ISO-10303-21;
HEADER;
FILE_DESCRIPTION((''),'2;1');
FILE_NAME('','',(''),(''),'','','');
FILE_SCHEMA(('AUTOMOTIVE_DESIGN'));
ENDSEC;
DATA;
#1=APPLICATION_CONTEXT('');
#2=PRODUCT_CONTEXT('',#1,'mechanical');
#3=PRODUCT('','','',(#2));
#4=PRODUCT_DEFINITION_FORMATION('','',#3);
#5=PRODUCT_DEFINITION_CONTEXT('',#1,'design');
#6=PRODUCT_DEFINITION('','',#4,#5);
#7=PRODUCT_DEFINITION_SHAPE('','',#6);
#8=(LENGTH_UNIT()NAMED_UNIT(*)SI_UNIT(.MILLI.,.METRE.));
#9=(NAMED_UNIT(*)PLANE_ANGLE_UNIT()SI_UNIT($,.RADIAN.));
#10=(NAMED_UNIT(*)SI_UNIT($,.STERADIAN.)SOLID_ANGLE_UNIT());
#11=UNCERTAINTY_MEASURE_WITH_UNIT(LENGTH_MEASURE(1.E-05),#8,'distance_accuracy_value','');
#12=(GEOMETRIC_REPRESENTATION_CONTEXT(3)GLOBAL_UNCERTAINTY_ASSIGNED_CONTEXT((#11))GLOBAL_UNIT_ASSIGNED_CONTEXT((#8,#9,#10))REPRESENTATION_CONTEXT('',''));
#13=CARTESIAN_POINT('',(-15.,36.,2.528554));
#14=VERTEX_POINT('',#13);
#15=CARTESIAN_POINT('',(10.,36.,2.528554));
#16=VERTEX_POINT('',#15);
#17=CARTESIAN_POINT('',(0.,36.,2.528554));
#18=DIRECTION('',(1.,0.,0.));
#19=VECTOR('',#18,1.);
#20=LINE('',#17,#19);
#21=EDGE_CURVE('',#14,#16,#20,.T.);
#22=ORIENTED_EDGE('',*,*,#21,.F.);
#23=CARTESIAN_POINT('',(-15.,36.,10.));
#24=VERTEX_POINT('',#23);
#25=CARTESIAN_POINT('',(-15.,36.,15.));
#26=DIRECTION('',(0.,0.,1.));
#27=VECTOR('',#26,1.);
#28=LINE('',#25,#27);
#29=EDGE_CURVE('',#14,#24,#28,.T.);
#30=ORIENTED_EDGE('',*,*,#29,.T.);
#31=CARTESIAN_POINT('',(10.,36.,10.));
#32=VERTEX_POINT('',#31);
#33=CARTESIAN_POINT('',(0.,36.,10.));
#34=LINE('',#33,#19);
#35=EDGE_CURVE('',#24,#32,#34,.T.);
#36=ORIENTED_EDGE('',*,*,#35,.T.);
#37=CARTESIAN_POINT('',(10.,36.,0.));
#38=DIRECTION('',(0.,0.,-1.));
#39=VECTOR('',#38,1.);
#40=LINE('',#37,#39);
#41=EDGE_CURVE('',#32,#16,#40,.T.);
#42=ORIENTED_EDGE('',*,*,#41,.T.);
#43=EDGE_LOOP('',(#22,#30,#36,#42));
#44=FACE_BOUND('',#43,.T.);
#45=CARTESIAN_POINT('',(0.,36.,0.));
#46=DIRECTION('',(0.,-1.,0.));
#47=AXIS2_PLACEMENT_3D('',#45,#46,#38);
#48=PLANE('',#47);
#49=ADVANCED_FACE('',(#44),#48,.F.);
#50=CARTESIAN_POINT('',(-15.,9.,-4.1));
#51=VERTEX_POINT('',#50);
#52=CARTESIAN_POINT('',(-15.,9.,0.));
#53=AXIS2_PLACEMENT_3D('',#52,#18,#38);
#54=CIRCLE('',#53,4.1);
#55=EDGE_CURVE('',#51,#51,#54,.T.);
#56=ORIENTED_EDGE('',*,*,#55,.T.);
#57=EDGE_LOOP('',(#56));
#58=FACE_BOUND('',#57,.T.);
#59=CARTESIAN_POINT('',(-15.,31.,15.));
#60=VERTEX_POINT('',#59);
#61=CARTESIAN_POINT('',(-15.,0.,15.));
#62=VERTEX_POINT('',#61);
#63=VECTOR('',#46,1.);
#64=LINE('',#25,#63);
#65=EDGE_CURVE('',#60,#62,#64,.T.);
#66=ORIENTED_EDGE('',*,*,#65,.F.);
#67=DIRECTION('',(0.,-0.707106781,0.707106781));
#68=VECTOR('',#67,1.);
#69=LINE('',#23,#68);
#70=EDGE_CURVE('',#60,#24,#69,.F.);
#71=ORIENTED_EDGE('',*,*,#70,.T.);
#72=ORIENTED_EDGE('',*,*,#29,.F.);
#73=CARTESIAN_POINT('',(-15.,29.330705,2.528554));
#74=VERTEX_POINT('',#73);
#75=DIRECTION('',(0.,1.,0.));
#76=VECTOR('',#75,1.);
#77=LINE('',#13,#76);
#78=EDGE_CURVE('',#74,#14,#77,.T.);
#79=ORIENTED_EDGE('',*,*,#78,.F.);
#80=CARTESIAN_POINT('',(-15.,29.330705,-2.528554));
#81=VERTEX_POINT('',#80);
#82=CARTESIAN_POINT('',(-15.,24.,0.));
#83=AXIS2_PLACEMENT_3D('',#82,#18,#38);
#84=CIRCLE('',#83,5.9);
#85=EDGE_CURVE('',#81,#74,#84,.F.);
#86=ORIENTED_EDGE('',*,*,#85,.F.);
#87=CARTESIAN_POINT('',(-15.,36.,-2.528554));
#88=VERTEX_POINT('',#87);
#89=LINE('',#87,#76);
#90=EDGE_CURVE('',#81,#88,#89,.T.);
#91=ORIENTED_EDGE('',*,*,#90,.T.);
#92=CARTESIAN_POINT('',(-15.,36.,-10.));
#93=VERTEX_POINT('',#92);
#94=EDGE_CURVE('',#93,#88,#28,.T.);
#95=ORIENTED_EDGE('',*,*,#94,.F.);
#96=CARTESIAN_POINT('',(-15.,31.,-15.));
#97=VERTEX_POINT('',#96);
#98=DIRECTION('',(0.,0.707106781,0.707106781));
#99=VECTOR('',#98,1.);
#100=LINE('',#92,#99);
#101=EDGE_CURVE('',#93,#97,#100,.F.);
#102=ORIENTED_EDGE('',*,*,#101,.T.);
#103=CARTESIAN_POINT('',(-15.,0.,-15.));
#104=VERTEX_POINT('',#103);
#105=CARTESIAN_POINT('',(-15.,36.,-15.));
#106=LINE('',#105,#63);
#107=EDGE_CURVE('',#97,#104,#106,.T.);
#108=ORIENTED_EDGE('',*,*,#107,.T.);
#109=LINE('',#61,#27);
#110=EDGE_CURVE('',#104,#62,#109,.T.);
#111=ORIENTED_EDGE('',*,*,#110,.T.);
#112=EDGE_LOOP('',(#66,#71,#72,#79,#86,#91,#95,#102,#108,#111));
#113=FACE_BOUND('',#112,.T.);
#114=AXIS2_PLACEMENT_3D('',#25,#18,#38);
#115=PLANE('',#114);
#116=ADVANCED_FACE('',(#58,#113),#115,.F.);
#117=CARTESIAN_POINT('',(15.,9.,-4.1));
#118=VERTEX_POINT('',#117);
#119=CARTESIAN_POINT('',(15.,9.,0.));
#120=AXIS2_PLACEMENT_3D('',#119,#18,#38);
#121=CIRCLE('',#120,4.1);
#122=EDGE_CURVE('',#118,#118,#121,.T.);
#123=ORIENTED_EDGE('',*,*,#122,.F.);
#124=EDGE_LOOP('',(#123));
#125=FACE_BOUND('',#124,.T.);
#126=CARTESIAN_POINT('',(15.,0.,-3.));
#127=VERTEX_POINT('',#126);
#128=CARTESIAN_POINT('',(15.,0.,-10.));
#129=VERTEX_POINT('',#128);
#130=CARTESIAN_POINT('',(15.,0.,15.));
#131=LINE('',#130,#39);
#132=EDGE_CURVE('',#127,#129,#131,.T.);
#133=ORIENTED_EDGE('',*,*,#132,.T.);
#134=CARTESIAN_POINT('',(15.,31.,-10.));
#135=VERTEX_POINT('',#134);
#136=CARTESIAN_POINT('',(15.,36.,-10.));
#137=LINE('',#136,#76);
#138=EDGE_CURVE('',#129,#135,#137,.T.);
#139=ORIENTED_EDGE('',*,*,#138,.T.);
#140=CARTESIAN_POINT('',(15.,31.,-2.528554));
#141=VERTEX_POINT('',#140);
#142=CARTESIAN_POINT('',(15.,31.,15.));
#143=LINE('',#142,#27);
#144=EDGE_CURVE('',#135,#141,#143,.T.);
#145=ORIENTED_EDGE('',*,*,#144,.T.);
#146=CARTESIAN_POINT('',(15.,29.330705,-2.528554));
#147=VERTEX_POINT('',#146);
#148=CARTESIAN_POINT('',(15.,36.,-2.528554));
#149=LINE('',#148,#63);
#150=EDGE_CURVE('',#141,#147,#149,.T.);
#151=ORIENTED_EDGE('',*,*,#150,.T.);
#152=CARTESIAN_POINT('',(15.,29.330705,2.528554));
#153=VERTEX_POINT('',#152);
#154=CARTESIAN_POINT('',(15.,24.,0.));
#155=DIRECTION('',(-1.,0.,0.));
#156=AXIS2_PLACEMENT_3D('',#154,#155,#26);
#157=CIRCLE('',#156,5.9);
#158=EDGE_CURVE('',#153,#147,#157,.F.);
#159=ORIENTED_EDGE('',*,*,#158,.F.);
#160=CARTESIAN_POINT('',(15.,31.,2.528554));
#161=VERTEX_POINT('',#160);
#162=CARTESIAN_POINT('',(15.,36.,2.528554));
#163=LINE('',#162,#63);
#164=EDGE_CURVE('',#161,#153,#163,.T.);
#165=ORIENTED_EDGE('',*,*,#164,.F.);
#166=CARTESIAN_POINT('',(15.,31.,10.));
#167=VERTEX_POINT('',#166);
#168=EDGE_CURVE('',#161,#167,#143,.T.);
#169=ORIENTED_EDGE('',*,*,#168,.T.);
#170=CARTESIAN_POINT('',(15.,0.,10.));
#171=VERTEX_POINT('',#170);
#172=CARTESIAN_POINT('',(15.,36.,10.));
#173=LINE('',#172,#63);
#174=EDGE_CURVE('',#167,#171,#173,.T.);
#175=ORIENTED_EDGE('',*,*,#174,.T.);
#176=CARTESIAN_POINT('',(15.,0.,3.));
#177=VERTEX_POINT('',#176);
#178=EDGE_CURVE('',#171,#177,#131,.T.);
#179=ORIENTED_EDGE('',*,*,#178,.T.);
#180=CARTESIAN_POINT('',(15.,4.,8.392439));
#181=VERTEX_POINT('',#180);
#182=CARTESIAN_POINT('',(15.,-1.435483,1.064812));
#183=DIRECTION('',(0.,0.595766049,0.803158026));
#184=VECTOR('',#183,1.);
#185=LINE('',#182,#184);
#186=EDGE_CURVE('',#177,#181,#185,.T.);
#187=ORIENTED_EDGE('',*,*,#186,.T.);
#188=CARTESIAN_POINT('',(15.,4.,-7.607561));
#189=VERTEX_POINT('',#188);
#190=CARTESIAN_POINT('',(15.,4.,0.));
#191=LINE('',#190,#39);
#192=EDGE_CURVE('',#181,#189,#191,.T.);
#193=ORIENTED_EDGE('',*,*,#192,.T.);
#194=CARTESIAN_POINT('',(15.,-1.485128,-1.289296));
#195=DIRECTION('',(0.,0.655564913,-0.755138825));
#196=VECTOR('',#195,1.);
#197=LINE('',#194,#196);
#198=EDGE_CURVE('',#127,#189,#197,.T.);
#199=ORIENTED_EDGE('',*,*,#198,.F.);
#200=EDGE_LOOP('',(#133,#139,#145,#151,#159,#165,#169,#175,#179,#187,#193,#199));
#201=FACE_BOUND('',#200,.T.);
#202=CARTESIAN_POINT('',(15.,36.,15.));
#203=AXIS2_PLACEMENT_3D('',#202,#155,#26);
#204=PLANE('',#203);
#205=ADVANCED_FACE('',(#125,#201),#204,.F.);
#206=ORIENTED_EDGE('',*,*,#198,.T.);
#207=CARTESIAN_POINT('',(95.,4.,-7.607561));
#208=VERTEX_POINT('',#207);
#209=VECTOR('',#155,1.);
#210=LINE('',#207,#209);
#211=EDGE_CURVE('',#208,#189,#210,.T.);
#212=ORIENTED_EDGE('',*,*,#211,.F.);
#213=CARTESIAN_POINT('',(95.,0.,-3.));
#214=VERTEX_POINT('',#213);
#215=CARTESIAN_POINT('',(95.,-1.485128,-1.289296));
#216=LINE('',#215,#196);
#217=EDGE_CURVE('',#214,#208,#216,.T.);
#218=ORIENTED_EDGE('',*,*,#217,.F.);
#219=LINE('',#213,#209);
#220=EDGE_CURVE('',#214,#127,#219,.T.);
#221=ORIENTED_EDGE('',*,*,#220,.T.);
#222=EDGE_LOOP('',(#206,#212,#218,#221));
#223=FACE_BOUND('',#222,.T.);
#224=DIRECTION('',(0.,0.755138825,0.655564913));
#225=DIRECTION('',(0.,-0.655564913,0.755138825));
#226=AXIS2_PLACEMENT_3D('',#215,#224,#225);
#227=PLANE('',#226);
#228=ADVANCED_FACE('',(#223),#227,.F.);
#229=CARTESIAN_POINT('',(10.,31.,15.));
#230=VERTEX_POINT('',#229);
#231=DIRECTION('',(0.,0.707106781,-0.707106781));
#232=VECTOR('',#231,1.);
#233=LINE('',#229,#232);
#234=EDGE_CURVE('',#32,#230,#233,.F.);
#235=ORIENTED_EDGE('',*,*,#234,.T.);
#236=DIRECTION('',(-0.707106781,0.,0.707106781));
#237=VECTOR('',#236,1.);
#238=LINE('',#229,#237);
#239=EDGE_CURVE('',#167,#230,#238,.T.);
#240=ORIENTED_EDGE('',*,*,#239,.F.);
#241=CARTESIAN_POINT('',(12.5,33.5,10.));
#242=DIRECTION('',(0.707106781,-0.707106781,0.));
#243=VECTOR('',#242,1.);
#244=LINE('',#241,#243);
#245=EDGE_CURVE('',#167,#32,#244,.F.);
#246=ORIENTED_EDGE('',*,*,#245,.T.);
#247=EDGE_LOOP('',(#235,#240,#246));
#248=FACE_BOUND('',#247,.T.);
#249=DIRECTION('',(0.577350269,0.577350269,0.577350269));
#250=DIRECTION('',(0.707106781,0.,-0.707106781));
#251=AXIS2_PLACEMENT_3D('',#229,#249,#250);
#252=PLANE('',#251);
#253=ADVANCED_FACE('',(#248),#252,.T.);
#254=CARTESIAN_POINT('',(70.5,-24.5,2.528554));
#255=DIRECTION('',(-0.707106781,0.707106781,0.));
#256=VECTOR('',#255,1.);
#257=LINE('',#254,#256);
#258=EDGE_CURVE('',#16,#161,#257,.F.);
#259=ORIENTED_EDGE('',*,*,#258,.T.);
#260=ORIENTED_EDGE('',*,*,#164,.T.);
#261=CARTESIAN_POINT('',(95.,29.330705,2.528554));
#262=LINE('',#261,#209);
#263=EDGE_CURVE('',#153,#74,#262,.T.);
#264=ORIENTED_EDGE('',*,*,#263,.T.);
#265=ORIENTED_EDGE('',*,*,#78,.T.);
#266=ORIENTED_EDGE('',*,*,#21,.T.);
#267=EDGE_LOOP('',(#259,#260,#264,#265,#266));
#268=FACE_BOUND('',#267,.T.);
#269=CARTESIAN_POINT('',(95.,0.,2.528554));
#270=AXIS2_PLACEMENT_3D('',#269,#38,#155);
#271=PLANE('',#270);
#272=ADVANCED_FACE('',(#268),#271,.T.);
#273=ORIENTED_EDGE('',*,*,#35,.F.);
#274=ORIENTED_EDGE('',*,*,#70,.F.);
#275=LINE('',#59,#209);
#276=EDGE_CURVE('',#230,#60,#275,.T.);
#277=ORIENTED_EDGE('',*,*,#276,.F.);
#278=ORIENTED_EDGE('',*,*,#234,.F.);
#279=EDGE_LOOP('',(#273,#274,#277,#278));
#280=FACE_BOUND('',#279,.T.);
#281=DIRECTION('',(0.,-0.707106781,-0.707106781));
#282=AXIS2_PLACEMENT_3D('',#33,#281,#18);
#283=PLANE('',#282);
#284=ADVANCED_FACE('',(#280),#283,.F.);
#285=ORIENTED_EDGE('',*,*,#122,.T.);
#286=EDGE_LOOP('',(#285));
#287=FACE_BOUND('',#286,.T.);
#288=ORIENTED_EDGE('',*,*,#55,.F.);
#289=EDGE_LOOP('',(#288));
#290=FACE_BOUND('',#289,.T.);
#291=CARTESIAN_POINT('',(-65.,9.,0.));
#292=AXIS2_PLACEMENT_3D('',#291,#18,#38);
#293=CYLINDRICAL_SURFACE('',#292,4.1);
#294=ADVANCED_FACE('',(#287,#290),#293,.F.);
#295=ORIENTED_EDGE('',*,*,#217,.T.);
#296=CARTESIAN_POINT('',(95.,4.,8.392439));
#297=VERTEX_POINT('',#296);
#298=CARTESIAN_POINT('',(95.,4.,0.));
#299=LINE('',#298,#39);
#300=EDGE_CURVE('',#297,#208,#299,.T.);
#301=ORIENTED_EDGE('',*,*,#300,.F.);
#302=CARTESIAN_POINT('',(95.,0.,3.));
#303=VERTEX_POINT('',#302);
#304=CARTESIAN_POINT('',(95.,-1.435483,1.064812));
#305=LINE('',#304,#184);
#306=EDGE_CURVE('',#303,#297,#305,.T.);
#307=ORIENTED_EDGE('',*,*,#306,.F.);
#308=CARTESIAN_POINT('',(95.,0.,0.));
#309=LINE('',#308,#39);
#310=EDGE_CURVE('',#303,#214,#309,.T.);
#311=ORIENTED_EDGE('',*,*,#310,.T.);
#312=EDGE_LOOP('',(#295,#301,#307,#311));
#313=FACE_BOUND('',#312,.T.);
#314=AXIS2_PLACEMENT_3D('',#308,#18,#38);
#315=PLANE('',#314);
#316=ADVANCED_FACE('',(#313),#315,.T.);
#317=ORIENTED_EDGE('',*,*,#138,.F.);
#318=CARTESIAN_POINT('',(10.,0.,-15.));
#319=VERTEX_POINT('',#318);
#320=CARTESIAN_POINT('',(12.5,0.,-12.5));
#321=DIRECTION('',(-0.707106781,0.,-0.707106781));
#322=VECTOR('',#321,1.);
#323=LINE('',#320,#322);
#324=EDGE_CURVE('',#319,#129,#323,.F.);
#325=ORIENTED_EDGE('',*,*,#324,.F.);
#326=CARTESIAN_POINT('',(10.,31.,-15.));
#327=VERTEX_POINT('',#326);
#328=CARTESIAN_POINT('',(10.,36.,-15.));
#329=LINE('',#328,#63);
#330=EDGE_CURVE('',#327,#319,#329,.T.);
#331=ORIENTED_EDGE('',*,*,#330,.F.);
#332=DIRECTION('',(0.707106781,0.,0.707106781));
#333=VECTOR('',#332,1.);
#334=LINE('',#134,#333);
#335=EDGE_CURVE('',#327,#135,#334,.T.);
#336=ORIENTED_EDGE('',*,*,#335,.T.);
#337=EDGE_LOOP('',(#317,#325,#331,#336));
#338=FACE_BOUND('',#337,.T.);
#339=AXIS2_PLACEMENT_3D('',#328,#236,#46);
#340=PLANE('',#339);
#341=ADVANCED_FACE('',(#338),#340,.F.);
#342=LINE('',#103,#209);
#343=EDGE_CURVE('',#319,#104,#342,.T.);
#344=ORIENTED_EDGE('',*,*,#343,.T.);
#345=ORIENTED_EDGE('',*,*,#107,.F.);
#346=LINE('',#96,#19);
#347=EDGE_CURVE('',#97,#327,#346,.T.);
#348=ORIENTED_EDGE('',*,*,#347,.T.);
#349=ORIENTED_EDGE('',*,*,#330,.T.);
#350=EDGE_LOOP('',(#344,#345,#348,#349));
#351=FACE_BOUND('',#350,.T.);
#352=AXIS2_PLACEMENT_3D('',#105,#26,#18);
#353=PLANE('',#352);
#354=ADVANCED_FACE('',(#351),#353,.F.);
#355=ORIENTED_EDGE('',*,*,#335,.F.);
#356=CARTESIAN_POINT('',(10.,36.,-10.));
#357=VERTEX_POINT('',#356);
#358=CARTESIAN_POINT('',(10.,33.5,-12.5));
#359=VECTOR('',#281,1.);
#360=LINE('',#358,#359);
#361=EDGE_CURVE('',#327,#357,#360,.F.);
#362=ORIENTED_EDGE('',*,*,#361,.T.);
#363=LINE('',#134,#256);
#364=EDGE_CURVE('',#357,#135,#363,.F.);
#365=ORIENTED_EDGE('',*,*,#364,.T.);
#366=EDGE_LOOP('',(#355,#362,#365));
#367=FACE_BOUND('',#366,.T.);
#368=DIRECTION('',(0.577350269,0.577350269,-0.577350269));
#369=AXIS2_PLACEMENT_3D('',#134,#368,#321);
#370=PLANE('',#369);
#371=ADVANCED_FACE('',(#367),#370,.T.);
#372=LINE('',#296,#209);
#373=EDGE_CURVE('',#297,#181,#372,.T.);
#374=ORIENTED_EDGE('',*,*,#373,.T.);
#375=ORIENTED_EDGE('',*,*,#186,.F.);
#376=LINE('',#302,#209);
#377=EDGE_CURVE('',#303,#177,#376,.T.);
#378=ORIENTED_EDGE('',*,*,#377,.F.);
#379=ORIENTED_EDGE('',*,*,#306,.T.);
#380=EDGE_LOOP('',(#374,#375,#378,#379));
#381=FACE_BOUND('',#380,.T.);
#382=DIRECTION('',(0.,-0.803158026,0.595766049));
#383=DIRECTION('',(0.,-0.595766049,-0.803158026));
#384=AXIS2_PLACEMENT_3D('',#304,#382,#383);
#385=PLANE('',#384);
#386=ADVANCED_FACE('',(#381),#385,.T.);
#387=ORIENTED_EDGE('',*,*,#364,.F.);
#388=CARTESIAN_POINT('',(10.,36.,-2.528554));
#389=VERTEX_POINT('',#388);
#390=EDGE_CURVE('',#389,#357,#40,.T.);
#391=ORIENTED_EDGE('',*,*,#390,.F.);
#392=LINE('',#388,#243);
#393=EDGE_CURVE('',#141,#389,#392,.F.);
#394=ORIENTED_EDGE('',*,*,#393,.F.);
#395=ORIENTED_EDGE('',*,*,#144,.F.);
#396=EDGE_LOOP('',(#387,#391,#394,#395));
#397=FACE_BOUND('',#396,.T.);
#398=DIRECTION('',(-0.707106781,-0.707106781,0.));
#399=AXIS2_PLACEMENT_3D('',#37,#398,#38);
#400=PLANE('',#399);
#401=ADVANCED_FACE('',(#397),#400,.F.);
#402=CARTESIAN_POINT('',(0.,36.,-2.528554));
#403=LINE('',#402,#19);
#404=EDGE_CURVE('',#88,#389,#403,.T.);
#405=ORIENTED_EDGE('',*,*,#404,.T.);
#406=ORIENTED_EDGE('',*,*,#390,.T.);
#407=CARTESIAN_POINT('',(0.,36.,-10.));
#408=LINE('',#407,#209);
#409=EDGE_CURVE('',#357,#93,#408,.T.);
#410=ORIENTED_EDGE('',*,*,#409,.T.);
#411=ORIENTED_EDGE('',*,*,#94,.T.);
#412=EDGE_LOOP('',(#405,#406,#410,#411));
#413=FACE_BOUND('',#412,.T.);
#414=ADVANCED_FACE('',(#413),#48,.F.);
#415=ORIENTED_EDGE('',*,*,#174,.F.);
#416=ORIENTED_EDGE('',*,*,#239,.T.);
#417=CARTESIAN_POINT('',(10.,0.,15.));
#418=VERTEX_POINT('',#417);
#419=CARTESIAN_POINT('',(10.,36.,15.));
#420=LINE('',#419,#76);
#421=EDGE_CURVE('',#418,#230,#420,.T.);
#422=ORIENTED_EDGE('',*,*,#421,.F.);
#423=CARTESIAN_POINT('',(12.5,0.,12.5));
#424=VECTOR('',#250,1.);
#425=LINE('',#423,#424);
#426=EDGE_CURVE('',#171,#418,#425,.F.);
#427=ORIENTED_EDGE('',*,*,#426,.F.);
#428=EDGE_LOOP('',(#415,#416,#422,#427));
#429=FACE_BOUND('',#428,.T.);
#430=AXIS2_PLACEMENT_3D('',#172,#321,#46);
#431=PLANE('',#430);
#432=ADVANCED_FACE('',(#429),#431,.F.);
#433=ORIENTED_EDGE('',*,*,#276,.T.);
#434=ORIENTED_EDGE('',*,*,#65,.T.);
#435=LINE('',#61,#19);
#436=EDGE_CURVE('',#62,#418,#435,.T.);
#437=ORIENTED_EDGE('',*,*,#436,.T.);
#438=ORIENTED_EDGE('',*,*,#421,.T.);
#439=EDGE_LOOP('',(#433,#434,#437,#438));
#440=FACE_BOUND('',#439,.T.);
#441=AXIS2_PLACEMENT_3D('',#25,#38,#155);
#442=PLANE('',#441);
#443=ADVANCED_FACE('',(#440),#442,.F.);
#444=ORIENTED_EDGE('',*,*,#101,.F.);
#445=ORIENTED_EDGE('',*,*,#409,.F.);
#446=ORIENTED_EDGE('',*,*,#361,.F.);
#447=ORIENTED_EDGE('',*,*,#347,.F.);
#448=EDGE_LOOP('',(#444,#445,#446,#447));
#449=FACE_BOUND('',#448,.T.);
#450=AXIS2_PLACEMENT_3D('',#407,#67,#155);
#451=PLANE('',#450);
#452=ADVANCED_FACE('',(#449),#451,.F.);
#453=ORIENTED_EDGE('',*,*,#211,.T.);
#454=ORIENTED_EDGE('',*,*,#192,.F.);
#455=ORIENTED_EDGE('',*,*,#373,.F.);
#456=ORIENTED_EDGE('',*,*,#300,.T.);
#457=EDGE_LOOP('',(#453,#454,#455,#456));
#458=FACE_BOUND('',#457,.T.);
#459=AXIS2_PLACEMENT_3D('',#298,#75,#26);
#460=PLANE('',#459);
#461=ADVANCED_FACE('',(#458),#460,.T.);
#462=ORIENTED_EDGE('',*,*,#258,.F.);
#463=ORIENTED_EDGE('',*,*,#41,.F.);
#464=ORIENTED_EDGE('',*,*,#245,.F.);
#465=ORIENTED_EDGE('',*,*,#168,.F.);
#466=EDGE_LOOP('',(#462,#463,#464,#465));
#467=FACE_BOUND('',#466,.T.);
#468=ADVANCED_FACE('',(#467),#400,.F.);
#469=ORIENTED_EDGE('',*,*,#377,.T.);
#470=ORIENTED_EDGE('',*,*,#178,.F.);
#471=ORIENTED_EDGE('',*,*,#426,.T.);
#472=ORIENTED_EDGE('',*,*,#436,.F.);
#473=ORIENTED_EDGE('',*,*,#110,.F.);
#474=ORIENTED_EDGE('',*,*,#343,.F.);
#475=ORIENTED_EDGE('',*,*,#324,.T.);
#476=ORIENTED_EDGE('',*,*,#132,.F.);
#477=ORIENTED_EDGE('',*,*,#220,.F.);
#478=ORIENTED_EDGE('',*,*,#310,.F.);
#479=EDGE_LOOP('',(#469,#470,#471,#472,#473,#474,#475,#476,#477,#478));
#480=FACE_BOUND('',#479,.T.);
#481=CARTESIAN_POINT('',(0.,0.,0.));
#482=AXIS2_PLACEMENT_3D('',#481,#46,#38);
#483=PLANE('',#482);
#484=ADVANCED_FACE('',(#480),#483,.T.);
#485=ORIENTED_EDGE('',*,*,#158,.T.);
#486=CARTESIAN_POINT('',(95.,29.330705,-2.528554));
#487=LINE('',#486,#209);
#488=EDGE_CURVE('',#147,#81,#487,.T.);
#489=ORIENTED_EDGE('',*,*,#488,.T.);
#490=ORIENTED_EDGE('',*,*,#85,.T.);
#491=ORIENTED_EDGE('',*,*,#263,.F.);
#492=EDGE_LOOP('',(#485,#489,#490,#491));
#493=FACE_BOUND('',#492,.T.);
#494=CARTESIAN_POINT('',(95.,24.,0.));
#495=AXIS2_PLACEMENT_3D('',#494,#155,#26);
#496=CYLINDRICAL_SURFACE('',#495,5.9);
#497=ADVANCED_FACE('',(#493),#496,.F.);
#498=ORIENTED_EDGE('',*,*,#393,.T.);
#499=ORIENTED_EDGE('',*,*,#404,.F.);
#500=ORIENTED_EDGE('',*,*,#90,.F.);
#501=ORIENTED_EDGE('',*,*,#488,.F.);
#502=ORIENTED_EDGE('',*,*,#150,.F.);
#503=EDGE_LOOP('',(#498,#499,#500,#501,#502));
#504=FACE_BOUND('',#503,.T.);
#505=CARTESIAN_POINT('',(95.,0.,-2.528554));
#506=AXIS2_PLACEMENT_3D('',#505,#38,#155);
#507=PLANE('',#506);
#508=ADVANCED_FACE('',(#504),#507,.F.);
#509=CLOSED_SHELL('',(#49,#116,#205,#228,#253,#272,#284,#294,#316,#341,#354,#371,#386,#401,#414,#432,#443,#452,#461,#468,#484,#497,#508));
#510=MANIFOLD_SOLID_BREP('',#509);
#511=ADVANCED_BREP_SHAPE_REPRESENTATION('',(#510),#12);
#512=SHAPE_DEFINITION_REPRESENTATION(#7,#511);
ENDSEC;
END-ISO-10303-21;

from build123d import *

# Parameters (mm, degrees)
SKETCH2_W               = 30
SKETCH2_H               = 30
BOSS_EXTRUDE1_DEPTH     = 36
BOSS_EXTRUDE2_DEPTH     = 80
SKETCH5_R               = 4.1
CUT_EXTRUDE1_DEPTH      = 80
CUT_EXTRUDE2_DEPTH      = 80
CUT_EXTRUDE2_DEPTH_BACK = 80
CHAMFER1_SIZE           = 5


with BuildPart() as part:
    # Sketch2 → Boss-Extrude1 (new body)
    with BuildSketch(Plane(origin=(0, 0, 0), x_dir=(1, 0, 0), z_dir=(0, 1, 0))):
        Rectangle(SKETCH2_W, SKETCH2_H)
    extrude(amount=BOSS_EXTRUDE1_DEPTH)

    # Sketch4 → Boss-Extrude2 (add)
    with BuildSketch(Plane(origin=(15, 0, 0), x_dir=(0, 0, -1), z_dir=(1, 0, 0))):
        Polygon((-8.392439038, 4), (-3, 0), (0, 0), (3, 0), (7.607560962, 4), align=None)
    extrude(amount=BOSS_EXTRUDE2_DEPTH)

    # Sketch5 → Cut-Extrude1 (cut)
    with BuildSketch(Plane(origin=(15, 0, 0), x_dir=(0, 0, -1), z_dir=(1, 0, 0))):
        with Locations((0, 9)):
            Circle(SKETCH5_R)
    extrude(amount=-CUT_EXTRUDE1_DEPTH, mode=Mode.SUBTRACT)

    # Sketch6 → Cut-Extrude2 (cut, two sides: drawn at the far end of the back side and taken through both)
    with BuildSketch(Plane(origin=(15, 0, 0), x_dir=(0, 0, -1), z_dir=(1, 0, 0)).offset(-CUT_EXTRUDE2_DEPTH_BACK)):
        with BuildLine():
            Line((2.528554435, 36.330541101), (-2.528554435, 36.330541101))
            Line((-2.528554435, 36.330541101), (-2.528554435, 29.330704688))
            ThreePointArc((-2.528554435, 29.330704688), (-5.755916854, 22.704075168), (0, 18.1))
            ThreePointArc((0, 18.1), (5.755916854, 22.704075168), (2.528554435, 29.330704688))
            Line((2.528554435, 29.330704688), (2.528554435, 36.330541101))
        make_face()
    extrude(amount=CUT_EXTRUDE2_DEPTH + CUT_EXTRUDE2_DEPTH_BACK, mode=Mode.SUBTRACT)

    # Chamfer1
    chamfer1_edges = [part.edges().sort_by_distance(p)[0] for p in [
        (15, 36, -8.764277217),
        (0, 36, -15),
        (15, 36, 8.764277217),
        (0, 36, 15),
        (15, 18, -15),
        (15, 18, 15),
    ]]
    chamfer(chamfer1_edges, length=CHAMFER1_SIZE)


solid = part.part
